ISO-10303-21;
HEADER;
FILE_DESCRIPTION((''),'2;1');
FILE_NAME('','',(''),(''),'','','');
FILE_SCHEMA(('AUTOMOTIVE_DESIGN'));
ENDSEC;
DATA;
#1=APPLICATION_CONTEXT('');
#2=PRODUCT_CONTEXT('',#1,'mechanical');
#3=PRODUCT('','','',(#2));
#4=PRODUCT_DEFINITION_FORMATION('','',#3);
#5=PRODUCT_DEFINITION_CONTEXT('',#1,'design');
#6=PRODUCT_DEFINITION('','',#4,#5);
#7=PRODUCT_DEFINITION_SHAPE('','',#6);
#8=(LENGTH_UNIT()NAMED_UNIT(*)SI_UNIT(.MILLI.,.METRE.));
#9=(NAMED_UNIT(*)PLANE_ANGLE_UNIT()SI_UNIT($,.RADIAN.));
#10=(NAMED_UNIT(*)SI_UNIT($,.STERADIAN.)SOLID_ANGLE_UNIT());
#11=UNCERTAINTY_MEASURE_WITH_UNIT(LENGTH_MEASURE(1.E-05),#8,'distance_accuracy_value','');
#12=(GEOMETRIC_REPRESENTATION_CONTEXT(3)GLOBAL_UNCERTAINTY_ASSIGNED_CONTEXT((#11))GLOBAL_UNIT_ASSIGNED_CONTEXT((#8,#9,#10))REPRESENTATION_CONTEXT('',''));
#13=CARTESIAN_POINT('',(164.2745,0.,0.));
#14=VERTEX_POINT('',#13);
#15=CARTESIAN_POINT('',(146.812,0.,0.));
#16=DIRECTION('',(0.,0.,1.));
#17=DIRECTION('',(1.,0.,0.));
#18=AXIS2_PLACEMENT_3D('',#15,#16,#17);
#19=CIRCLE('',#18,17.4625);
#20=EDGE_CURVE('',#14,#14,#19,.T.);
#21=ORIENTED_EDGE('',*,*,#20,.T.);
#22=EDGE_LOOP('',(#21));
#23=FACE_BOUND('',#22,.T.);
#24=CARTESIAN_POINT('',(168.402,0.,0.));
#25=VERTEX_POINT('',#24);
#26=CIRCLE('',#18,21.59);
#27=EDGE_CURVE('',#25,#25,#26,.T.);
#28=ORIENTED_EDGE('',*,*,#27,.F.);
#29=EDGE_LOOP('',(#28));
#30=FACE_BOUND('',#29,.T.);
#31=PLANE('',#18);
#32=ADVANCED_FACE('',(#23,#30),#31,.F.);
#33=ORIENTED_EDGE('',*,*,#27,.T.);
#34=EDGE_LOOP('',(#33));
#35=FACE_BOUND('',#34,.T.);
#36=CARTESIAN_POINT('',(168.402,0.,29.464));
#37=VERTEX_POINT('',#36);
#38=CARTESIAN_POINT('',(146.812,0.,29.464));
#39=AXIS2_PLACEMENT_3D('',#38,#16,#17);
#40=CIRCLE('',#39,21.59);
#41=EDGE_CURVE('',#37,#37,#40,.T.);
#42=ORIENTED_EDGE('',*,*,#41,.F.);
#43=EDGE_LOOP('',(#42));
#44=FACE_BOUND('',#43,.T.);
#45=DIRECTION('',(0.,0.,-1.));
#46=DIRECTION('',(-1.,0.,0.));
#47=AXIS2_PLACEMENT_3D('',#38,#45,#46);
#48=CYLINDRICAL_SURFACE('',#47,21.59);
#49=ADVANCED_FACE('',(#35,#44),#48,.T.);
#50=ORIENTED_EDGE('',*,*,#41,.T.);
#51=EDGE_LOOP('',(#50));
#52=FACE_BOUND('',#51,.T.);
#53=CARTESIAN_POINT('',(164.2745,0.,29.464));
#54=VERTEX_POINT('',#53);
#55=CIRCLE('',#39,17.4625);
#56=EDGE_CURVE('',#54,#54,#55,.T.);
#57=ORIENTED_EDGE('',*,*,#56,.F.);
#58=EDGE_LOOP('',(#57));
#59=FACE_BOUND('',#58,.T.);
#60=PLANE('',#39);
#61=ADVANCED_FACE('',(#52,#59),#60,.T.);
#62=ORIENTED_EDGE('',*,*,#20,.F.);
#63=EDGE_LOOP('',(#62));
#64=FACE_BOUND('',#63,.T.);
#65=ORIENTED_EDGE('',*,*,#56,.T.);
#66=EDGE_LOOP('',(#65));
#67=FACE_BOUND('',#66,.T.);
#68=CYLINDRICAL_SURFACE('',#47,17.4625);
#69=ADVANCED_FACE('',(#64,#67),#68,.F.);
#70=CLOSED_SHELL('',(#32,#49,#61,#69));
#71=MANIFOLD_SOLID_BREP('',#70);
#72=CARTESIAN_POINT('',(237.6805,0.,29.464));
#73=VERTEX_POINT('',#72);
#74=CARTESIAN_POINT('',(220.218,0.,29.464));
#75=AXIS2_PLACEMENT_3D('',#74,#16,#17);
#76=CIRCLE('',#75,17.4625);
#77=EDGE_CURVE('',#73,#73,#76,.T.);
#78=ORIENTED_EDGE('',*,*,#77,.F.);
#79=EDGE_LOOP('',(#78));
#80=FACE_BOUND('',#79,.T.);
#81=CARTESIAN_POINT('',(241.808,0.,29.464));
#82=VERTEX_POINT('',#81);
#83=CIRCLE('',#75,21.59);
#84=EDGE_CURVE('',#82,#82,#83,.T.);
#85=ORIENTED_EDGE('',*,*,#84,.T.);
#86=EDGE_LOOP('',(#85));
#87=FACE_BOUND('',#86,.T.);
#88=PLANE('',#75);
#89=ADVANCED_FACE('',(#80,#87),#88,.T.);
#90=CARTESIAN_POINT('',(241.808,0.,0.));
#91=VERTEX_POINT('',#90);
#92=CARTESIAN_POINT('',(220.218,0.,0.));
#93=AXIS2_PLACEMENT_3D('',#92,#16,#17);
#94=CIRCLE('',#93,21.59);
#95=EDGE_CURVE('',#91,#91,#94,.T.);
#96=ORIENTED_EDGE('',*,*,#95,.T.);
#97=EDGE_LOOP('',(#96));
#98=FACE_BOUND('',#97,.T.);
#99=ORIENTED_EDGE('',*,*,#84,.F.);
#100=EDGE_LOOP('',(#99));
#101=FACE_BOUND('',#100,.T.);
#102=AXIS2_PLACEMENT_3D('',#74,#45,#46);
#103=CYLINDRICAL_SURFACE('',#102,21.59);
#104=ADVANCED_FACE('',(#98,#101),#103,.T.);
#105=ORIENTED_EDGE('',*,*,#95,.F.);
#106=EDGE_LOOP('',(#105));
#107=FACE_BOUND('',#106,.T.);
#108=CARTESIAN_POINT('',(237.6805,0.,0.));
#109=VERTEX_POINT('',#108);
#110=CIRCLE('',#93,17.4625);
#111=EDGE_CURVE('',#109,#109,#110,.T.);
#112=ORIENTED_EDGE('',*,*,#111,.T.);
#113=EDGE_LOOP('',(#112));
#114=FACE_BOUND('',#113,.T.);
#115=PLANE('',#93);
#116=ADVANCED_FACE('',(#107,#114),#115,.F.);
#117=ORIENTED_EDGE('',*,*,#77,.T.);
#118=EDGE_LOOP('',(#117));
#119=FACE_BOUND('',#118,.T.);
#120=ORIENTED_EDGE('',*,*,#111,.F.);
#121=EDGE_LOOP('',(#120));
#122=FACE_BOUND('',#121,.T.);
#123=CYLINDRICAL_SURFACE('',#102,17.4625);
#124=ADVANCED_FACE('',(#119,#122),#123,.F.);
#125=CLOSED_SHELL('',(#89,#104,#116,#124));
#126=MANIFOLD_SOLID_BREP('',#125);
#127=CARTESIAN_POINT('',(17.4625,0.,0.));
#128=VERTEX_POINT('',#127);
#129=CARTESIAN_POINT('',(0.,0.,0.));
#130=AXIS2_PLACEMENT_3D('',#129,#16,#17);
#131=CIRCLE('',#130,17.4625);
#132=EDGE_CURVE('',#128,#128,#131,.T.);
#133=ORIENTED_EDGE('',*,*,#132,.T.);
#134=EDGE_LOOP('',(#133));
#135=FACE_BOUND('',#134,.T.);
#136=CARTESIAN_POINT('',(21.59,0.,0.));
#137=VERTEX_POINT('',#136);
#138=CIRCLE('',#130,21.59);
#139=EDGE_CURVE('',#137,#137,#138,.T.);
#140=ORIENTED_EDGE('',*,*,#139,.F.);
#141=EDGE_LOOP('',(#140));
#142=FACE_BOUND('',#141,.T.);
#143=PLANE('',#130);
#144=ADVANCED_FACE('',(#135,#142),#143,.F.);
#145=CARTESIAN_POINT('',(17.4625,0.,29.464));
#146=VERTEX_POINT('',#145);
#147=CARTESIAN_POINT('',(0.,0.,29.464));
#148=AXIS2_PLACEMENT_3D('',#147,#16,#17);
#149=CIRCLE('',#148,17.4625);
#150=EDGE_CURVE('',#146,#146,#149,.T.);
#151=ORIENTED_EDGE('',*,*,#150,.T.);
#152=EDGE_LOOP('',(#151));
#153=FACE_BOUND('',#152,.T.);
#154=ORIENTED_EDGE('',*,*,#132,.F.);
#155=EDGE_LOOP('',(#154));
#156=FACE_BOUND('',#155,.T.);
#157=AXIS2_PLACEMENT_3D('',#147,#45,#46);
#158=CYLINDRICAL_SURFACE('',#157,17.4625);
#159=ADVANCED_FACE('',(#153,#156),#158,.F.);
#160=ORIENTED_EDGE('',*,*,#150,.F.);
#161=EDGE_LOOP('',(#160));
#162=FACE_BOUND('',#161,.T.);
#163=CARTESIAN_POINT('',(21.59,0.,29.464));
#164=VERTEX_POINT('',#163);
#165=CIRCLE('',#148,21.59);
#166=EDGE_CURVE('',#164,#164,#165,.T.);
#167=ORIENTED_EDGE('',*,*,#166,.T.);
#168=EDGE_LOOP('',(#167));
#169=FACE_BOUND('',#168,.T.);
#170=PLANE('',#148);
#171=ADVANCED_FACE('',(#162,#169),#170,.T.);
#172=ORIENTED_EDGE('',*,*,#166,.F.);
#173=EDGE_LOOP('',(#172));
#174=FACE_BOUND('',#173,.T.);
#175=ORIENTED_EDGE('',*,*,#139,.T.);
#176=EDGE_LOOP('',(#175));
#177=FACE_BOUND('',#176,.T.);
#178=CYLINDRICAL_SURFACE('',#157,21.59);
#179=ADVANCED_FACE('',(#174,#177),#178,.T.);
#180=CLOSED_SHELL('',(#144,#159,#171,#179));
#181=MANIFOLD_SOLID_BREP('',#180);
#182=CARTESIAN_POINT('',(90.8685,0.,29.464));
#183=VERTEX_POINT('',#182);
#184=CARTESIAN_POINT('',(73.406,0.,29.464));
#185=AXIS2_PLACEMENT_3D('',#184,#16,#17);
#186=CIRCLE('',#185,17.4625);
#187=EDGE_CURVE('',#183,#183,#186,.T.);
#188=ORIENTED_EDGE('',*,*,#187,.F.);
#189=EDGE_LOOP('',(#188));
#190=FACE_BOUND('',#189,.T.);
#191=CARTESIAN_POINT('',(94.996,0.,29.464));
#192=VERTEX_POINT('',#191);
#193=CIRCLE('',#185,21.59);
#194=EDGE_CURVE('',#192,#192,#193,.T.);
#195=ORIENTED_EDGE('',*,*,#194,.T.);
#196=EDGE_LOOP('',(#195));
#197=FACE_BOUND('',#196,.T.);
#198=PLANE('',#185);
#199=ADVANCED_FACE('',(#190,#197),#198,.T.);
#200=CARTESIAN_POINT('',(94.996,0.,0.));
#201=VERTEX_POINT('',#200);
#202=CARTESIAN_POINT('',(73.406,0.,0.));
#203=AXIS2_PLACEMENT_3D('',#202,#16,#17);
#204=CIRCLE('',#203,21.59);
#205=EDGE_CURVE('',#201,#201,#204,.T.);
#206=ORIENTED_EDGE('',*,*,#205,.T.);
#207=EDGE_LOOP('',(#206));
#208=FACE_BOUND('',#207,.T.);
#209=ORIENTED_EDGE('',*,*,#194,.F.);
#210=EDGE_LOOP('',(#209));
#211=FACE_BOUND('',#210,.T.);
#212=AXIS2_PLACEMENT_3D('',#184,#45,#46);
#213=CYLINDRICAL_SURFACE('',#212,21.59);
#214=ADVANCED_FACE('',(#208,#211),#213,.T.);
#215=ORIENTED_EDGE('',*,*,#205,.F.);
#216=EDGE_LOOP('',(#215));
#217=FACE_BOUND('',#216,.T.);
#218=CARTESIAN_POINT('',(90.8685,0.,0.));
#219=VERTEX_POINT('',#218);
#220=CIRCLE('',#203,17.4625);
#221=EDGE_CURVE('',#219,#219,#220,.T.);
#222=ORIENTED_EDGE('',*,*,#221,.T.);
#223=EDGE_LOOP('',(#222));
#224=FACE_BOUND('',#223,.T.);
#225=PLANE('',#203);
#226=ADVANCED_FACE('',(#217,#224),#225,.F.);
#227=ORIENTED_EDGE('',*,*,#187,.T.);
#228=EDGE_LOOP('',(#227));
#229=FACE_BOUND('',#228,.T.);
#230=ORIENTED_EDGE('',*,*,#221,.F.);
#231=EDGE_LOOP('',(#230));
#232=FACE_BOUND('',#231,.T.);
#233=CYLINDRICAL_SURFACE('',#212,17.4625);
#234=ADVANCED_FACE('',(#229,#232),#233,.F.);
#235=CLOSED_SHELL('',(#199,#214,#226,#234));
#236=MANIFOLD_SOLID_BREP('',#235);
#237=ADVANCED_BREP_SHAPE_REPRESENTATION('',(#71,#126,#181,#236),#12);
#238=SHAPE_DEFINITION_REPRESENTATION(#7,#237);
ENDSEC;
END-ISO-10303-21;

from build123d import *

# Parameters (mm, degrees)
SKETCH1_R             = 21.59
SKETCH1_R_2           = 17.4625
BOSS_EXTRUDE4_DEPTH   = 29.464
BOSS_EXTRUDE4_2_DEPTH = 29.464
BOSS_EXTRUDE4_3_DEPTH = 29.464
BOSS_EXTRUDE4_4_DEPTH = 29.464


with BuildPart() as part:
    # Sketch1 → Boss-Extrude4 (new body)
    with BuildSketch(Plane.XY):
        Circle(SKETCH1_R)
        Circle(SKETCH1_R_2, mode=Mode.SUBTRACT)
    extrude(amount=BOSS_EXTRUDE4_DEPTH)


with BuildPart() as body_2:
    # Sketch1 → Boss-Extrude4 2 (new body)
    with BuildSketch(Plane.XY):
        with Locations((73.406, 0)):
            Circle(SKETCH1_R)
        with Locations((73.406, 0)):
            Circle(SKETCH1_R_2, mode=Mode.SUBTRACT)
    extrude(amount=BOSS_EXTRUDE4_2_DEPTH)


with BuildPart() as body_3:
    # Sketch1 → Boss-Extrude4 3 (new body)
    with BuildSketch(Plane.XY):
        with Locations((146.812, 0)):
            Circle(SKETCH1_R)
        with Locations((146.812, 0)):
            Circle(SKETCH1_R_2, mode=Mode.SUBTRACT)
    extrude(amount=BOSS_EXTRUDE4_3_DEPTH)


with BuildPart() as body_4:
    # Sketch1 → Boss-Extrude4 4 (new body)
    with BuildSketch(Plane.XY):
        with Locations((220.218, 0)):
            Circle(SKETCH1_R)
        with Locations((220.218, 0)):
            Circle(SKETCH1_R_2, mode=Mode.SUBTRACT)
    extrude(amount=BOSS_EXTRUDE4_4_DEPTH)


solid = Compound([part.part, body_2.part, body_3.part, body_4.part])
